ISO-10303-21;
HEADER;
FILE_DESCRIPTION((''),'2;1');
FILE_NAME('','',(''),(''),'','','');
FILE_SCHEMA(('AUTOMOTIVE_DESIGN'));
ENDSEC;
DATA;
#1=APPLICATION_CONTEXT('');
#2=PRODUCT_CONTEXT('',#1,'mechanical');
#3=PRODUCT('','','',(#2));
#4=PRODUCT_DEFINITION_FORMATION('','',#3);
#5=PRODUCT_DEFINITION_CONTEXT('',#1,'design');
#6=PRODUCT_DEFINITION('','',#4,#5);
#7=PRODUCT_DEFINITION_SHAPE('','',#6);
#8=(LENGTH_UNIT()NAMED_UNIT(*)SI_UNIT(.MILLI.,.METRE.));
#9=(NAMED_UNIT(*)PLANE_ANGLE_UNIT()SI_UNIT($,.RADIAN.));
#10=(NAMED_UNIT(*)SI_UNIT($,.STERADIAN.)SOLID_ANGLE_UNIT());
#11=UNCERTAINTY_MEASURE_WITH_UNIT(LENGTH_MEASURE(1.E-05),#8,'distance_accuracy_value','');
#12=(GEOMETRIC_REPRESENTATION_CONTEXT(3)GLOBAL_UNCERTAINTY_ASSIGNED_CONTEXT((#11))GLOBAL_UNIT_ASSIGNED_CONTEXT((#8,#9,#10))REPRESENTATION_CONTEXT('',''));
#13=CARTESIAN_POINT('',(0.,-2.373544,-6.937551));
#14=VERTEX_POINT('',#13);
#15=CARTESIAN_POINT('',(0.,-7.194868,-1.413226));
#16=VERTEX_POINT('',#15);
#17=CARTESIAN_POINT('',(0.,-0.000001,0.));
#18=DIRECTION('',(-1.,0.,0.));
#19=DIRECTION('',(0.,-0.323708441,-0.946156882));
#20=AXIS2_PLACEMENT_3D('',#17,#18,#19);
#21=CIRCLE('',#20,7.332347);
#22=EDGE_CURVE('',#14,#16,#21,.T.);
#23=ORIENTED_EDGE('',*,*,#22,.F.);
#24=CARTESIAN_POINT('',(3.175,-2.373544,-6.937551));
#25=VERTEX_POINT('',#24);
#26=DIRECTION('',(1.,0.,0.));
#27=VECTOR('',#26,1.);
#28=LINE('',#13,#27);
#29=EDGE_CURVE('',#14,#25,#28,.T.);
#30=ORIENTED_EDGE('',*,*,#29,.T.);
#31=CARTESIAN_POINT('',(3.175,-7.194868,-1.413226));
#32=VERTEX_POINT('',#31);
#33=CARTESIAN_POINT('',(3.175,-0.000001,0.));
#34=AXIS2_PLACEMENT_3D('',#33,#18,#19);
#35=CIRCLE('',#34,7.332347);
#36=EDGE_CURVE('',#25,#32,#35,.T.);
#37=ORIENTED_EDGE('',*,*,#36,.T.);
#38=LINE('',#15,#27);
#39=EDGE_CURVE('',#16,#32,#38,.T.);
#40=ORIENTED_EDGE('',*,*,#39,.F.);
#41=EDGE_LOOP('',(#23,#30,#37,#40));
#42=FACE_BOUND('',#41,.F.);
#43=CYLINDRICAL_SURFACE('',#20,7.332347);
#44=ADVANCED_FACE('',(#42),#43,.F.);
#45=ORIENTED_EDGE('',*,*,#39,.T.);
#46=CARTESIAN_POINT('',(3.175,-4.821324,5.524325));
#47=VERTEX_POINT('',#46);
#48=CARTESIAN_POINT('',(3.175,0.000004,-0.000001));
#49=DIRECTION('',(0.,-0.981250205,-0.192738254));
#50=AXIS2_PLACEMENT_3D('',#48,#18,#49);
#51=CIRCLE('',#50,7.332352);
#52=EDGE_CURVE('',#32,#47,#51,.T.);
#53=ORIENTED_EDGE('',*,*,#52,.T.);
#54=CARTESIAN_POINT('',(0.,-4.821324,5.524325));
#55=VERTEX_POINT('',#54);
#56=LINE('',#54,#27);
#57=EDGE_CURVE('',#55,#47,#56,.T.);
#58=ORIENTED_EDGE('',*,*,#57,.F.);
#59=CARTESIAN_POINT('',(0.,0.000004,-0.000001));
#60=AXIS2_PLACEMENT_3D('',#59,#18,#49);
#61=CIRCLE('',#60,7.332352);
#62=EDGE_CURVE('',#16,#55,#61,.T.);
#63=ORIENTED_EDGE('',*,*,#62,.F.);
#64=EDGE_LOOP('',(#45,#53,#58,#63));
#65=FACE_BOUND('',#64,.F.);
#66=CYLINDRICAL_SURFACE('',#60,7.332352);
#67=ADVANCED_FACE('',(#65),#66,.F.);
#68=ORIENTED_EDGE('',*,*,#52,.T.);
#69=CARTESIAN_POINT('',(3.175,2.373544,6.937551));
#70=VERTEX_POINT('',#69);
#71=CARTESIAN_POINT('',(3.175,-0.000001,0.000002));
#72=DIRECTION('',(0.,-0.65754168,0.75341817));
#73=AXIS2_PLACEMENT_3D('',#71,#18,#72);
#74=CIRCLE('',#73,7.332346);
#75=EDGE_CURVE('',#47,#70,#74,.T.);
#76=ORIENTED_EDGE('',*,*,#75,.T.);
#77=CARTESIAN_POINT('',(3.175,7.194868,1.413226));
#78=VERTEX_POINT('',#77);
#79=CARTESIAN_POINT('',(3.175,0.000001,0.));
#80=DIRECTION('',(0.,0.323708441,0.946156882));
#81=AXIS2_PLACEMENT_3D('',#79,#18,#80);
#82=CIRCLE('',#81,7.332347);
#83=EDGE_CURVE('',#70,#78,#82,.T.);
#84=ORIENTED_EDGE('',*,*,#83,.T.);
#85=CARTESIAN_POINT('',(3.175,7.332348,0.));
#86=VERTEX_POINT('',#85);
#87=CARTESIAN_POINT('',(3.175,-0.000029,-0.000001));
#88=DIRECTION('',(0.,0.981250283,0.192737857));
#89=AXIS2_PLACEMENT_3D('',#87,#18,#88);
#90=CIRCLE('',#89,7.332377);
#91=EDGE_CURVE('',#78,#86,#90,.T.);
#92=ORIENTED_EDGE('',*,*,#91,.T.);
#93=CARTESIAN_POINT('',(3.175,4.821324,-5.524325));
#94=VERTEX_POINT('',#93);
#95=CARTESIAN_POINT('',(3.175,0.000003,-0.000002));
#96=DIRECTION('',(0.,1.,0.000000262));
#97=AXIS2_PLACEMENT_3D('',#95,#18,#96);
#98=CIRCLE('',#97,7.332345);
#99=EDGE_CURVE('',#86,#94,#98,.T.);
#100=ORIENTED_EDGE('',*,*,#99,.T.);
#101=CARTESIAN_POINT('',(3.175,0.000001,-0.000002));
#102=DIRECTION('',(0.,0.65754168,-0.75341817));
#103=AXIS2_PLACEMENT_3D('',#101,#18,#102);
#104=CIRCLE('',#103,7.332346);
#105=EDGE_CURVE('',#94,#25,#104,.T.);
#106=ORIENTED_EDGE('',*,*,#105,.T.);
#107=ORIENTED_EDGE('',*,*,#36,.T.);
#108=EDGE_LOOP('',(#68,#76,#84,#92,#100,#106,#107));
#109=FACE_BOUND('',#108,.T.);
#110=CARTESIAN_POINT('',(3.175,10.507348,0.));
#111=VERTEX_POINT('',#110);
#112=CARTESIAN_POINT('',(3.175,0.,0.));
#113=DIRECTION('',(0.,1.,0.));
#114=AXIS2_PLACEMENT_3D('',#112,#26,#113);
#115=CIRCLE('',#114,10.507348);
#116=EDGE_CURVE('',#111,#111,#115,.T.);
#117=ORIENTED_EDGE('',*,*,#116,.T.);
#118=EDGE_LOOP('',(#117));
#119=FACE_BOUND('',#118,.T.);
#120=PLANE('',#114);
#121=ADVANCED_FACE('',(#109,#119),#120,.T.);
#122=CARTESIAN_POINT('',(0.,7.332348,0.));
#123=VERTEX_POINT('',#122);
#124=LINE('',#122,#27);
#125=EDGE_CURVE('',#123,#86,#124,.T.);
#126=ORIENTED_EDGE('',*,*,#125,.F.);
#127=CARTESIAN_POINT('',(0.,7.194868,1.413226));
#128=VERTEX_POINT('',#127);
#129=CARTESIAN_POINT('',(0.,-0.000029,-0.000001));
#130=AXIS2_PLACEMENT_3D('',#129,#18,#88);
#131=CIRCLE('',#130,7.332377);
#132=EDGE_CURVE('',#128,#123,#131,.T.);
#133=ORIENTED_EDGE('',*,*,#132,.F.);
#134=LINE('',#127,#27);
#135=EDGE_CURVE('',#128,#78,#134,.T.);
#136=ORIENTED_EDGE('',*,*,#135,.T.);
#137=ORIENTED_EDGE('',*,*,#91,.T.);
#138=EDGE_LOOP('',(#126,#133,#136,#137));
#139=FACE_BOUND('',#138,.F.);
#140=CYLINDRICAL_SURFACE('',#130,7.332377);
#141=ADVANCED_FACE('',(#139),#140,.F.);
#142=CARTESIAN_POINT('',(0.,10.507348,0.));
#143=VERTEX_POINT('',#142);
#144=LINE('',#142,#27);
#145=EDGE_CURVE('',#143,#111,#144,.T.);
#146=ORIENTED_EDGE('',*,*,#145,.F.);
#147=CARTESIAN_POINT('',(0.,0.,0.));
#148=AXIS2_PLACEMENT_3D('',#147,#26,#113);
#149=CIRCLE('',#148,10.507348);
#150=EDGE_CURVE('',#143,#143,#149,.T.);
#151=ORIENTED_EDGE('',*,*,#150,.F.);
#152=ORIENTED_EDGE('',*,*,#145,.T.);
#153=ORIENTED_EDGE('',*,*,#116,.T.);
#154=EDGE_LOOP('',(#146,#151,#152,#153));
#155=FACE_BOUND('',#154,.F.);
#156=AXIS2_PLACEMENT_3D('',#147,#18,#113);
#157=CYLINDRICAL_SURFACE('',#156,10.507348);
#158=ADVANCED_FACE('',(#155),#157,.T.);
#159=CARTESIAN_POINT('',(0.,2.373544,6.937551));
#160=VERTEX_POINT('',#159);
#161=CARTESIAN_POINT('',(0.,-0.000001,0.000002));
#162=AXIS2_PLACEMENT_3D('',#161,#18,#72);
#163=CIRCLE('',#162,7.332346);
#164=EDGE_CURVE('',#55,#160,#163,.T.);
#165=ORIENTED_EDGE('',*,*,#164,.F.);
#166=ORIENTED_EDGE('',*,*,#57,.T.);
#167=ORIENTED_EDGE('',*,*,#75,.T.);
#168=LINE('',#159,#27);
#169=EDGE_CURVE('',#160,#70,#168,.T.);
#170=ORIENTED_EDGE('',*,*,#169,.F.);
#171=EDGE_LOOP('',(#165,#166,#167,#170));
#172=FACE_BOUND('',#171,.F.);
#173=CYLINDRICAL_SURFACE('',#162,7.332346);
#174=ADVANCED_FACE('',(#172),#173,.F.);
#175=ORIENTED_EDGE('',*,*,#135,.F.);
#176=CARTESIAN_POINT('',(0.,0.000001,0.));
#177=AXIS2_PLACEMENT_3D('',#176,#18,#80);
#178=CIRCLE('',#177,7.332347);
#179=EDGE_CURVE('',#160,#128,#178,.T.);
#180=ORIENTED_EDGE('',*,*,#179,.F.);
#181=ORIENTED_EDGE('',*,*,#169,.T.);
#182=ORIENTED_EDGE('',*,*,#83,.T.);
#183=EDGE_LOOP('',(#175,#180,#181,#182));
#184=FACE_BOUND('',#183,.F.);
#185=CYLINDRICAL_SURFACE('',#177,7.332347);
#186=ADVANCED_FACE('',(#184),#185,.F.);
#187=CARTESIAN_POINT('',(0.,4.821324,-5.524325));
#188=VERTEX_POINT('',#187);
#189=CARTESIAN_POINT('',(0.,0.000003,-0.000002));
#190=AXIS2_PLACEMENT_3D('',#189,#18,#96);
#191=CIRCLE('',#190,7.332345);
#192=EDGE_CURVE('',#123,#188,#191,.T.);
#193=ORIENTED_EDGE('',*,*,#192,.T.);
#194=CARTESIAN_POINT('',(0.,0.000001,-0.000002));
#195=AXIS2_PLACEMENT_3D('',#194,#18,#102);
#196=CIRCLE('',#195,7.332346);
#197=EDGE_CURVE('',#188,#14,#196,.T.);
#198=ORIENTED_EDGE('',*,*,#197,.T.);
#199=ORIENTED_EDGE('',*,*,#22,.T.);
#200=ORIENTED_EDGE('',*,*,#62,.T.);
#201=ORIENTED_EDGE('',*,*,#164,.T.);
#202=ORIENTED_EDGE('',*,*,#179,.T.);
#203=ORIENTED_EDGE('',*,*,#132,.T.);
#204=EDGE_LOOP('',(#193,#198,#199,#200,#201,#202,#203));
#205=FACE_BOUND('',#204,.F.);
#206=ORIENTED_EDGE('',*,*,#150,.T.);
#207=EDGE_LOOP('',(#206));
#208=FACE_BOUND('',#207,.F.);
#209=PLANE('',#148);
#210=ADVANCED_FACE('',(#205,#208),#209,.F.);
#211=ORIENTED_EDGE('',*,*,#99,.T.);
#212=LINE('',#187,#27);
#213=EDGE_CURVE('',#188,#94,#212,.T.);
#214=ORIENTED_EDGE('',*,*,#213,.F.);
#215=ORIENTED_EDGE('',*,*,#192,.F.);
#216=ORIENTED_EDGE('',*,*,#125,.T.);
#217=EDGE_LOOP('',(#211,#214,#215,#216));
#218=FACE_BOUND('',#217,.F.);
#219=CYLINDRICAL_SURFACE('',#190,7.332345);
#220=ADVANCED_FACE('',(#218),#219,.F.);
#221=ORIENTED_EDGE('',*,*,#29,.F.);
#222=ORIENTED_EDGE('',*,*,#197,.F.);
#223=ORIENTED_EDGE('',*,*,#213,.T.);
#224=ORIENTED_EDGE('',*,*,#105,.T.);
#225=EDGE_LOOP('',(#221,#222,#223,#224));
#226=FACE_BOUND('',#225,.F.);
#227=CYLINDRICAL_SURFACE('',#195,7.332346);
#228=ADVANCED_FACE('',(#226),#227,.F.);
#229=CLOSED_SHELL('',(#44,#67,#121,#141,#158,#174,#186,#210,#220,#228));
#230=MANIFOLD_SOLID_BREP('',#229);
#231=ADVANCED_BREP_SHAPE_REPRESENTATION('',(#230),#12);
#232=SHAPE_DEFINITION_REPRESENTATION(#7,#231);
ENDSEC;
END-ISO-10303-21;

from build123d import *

# Parameters (mm, degrees)
F0_R     = 10.507348
F1_DEPTH = 3.175


with BuildPart() as f1:
    # F0 (on Right) → F1 (new body)
    with BuildSketch(Plane.YZ):
        Circle(F0_R)
        with BuildLine():
            ThreePointArc((7.194868, 1.413226), (7.297897, 0.709949), (7.332348, 0))
            ThreePointArc((7.332348, 0), (6.675139, -3.034115), (4.821324, -5.524325))
            ThreePointArc((4.821324, -5.524325), (1.413226, -7.194868), (-2.373544, -6.937551))
            ThreePointArc((-2.373544, -6.937551), (-5.524325, -4.821324), (-7.194868, -1.413226))
            ThreePointArc((-7.194868, -1.413226), (-6.937551, 2.373544), (-4.821324, 5.524325))
            ThreePointArc((-4.821324, 5.524325), (-1.413226, 7.194868), (2.373544, 6.937551))
            ThreePointArc((2.373544, 6.937551), (5.524325, 4.821324), (7.194868, 1.413226))
        make_face(mode=Mode.SUBTRACT)
    extrude(amount=F1_DEPTH)


solid = f1.part
